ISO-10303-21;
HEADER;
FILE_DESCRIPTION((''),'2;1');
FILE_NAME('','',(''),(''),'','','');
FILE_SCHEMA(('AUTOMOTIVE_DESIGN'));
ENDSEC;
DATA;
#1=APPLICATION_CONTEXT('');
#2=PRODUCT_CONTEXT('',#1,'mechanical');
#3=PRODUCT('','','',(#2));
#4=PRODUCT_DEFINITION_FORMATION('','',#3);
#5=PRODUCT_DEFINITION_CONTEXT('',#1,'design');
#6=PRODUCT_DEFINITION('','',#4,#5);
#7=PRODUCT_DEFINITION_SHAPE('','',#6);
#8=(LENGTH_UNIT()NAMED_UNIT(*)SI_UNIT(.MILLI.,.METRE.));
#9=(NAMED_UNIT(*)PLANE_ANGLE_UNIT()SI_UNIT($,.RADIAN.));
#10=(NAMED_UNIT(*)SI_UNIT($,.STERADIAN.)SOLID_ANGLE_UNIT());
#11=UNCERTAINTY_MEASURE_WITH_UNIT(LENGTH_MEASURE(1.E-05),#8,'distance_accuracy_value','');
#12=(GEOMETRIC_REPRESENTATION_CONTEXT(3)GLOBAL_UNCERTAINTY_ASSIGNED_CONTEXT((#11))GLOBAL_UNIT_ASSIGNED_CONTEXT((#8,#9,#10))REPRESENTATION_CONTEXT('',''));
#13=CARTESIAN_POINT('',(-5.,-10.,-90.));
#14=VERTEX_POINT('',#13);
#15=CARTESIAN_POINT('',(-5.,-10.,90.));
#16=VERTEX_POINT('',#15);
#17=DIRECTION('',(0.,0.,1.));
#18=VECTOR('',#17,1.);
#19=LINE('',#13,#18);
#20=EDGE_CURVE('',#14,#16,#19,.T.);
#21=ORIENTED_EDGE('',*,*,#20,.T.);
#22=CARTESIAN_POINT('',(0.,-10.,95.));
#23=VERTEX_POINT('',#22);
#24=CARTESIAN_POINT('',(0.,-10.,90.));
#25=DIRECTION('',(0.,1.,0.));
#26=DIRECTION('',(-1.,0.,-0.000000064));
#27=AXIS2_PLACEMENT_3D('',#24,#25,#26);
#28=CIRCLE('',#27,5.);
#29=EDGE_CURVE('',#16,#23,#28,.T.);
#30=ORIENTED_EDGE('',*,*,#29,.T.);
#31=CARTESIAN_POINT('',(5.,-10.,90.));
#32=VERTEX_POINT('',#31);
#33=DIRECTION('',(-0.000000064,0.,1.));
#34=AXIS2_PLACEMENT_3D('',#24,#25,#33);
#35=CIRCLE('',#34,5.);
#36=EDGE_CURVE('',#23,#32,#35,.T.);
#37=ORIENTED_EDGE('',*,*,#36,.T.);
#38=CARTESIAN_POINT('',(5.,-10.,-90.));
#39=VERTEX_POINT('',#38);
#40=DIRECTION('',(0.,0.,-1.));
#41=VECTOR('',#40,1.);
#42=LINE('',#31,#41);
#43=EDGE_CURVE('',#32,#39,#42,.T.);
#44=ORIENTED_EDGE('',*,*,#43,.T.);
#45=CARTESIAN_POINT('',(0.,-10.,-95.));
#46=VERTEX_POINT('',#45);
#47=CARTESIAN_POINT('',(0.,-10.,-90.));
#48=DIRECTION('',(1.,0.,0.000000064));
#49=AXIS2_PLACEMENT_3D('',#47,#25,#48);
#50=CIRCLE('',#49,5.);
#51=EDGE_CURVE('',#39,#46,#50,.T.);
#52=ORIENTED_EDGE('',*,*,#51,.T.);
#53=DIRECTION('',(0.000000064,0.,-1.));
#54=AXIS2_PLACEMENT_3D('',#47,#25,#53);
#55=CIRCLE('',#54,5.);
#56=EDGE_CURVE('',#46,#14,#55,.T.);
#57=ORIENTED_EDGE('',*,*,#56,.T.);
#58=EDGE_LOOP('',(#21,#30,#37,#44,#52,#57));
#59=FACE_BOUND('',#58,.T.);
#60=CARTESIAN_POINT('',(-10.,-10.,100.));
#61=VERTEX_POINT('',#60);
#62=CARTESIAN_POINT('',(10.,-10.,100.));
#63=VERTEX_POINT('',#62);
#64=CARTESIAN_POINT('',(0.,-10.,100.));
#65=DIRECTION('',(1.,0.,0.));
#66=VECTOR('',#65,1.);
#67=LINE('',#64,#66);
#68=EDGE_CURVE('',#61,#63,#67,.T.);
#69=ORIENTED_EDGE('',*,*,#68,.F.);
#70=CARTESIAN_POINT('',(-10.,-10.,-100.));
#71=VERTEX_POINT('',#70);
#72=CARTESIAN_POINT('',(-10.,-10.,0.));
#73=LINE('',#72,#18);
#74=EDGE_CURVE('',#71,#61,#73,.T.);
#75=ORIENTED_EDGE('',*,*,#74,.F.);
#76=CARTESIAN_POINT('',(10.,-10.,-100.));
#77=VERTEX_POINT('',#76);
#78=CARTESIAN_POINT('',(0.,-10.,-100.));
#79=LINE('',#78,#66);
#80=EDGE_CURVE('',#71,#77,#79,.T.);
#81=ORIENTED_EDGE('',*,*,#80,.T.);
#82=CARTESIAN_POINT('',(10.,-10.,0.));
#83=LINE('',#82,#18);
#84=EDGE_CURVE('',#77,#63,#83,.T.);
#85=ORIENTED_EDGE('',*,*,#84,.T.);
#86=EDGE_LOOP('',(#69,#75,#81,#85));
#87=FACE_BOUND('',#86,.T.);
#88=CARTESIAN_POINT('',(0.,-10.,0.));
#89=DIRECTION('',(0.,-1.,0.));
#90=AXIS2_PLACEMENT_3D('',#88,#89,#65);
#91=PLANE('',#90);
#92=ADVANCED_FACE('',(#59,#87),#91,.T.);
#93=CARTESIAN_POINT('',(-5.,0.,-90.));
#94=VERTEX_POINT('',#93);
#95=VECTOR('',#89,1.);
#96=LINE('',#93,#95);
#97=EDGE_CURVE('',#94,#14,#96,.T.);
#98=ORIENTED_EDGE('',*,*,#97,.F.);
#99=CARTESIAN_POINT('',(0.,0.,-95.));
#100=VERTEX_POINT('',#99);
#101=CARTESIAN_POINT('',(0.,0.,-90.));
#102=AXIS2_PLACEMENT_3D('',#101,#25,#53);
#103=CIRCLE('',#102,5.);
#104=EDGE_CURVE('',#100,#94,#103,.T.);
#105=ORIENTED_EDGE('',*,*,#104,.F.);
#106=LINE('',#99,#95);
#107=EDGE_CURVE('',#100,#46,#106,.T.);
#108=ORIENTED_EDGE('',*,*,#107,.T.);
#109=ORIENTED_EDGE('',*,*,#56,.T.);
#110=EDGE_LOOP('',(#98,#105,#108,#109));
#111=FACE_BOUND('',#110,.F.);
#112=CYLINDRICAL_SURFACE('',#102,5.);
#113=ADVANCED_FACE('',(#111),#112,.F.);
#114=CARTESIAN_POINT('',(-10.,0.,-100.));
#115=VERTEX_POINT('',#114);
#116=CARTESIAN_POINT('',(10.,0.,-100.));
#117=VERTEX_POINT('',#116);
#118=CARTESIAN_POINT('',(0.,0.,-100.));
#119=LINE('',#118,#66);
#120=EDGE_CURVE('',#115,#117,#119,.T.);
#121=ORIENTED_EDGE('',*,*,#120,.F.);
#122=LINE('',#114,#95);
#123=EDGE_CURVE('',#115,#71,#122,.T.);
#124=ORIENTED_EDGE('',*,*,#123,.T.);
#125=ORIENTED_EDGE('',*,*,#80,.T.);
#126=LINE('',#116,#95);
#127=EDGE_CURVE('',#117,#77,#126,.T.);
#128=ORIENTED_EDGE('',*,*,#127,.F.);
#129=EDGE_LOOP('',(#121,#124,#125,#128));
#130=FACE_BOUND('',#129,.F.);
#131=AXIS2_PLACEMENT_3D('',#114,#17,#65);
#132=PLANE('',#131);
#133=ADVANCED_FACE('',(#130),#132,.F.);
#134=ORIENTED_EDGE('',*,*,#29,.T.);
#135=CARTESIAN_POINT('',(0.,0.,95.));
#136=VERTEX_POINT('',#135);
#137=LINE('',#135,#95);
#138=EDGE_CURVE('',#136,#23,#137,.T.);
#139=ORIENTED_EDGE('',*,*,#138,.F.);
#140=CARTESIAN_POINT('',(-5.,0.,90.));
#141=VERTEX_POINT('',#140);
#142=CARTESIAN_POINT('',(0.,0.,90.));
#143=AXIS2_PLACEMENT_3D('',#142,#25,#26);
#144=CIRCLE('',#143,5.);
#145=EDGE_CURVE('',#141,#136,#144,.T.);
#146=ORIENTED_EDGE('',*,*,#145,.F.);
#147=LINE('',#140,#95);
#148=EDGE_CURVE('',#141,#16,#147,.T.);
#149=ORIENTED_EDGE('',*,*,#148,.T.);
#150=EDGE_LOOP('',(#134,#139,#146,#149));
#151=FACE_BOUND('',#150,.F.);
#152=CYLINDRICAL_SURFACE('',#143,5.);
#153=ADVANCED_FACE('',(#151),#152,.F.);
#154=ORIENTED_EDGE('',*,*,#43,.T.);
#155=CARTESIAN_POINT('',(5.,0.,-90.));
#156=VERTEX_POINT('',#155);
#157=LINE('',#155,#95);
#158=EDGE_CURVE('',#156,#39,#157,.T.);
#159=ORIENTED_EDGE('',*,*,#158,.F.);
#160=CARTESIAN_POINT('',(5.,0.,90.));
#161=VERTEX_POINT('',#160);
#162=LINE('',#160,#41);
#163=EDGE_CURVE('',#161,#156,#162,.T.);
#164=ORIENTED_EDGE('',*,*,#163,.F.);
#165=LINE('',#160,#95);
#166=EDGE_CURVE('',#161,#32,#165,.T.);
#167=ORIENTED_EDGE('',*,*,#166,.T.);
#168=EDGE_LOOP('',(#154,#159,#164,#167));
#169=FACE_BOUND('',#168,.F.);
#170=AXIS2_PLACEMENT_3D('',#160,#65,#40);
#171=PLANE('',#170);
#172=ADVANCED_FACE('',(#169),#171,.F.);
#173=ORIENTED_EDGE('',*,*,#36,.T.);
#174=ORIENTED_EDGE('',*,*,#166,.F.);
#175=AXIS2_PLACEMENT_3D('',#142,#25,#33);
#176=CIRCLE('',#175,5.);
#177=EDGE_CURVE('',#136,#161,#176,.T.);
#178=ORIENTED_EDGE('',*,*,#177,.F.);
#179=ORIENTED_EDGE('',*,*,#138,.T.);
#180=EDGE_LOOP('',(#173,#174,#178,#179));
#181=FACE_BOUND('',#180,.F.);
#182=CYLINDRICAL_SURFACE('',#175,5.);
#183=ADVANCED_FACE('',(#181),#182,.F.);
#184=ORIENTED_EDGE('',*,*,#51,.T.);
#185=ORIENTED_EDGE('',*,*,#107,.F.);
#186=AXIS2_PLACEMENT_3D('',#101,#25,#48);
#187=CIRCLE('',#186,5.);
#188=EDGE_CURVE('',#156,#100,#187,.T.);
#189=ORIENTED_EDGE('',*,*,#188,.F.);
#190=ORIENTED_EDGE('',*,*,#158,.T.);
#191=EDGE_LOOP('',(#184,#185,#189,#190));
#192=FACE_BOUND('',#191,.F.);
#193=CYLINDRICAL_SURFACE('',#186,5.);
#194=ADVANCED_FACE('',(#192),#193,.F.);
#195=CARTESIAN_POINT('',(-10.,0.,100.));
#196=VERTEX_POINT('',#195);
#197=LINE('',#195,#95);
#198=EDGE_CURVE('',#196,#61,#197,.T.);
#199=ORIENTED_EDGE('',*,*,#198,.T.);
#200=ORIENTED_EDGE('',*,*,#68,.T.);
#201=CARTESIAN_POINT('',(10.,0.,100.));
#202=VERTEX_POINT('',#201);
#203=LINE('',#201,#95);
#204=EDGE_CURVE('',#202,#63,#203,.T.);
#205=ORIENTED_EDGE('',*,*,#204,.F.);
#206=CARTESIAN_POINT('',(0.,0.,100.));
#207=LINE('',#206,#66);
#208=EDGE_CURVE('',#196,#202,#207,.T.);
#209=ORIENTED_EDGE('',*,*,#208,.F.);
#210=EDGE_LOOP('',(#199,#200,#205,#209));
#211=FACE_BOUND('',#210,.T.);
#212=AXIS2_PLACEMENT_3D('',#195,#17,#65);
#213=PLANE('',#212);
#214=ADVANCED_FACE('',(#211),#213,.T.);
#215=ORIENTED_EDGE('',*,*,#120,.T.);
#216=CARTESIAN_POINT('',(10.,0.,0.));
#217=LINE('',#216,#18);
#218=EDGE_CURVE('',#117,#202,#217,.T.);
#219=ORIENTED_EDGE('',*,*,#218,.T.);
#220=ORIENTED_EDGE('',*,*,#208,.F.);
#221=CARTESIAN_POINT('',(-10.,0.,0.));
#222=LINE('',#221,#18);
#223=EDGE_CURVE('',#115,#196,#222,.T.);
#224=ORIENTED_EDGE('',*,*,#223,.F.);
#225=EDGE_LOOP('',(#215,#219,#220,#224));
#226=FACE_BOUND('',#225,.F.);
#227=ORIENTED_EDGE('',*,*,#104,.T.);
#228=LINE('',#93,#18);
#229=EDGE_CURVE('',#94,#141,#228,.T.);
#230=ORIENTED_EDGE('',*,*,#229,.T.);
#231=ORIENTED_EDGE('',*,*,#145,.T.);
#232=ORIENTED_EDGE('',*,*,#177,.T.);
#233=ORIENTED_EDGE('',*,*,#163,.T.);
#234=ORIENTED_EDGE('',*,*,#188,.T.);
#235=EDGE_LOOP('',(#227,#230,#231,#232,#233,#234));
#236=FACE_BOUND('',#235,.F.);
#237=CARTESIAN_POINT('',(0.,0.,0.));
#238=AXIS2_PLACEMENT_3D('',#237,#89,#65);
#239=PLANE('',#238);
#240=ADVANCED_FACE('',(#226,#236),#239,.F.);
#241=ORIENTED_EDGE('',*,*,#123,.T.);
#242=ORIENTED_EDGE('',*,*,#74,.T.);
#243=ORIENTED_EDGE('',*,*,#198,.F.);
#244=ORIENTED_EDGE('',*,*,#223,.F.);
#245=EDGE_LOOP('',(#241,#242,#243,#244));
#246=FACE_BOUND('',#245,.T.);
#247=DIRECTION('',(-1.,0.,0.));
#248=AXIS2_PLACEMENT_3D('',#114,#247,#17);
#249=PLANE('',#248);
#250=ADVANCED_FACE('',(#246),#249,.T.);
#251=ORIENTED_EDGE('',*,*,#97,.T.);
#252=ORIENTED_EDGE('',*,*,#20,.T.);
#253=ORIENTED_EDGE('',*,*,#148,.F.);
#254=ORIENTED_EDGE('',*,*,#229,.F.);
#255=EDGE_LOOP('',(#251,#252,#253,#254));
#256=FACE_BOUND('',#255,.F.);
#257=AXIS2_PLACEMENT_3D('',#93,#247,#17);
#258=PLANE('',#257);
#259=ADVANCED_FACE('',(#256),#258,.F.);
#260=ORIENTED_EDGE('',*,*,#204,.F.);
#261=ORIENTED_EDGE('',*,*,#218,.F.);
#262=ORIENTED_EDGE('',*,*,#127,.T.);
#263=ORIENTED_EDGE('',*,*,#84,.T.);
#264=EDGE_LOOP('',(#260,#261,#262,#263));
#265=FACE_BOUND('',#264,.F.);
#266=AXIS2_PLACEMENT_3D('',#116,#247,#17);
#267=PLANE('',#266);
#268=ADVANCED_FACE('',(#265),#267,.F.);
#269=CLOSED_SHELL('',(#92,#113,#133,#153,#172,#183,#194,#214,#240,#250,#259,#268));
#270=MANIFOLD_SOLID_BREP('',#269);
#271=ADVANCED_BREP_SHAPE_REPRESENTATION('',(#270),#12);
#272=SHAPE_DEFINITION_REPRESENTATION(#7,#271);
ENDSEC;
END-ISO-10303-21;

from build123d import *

# Parameters (mm, degrees)
F0_W     = 20
F0_H     = 200
F1_DEPTH = 10


with BuildPart() as f1:
    # F0 (on Front) → F1 (new body)
    with BuildSketch(Plane.XZ):
        Rectangle(F0_W, F0_H)
        with BuildLine():
            Line((5, 90), (5, -90))
            ThreePointArc((5, -90), (3.535534, -93.535534), (0, -95))
            ThreePointArc((0, -95), (-3.535534, -93.535534), (-5, -90))
            Line((-5, -90), (-5, 90))
            ThreePointArc((-5, 90), (-3.535534, 93.535534), (0, 95))
            ThreePointArc((0, 95), (3.535534, 93.535534), (5, 90))
        make_face(mode=Mode.SUBTRACT)
    extrude(amount=F1_DEPTH)


solid = f1.part
